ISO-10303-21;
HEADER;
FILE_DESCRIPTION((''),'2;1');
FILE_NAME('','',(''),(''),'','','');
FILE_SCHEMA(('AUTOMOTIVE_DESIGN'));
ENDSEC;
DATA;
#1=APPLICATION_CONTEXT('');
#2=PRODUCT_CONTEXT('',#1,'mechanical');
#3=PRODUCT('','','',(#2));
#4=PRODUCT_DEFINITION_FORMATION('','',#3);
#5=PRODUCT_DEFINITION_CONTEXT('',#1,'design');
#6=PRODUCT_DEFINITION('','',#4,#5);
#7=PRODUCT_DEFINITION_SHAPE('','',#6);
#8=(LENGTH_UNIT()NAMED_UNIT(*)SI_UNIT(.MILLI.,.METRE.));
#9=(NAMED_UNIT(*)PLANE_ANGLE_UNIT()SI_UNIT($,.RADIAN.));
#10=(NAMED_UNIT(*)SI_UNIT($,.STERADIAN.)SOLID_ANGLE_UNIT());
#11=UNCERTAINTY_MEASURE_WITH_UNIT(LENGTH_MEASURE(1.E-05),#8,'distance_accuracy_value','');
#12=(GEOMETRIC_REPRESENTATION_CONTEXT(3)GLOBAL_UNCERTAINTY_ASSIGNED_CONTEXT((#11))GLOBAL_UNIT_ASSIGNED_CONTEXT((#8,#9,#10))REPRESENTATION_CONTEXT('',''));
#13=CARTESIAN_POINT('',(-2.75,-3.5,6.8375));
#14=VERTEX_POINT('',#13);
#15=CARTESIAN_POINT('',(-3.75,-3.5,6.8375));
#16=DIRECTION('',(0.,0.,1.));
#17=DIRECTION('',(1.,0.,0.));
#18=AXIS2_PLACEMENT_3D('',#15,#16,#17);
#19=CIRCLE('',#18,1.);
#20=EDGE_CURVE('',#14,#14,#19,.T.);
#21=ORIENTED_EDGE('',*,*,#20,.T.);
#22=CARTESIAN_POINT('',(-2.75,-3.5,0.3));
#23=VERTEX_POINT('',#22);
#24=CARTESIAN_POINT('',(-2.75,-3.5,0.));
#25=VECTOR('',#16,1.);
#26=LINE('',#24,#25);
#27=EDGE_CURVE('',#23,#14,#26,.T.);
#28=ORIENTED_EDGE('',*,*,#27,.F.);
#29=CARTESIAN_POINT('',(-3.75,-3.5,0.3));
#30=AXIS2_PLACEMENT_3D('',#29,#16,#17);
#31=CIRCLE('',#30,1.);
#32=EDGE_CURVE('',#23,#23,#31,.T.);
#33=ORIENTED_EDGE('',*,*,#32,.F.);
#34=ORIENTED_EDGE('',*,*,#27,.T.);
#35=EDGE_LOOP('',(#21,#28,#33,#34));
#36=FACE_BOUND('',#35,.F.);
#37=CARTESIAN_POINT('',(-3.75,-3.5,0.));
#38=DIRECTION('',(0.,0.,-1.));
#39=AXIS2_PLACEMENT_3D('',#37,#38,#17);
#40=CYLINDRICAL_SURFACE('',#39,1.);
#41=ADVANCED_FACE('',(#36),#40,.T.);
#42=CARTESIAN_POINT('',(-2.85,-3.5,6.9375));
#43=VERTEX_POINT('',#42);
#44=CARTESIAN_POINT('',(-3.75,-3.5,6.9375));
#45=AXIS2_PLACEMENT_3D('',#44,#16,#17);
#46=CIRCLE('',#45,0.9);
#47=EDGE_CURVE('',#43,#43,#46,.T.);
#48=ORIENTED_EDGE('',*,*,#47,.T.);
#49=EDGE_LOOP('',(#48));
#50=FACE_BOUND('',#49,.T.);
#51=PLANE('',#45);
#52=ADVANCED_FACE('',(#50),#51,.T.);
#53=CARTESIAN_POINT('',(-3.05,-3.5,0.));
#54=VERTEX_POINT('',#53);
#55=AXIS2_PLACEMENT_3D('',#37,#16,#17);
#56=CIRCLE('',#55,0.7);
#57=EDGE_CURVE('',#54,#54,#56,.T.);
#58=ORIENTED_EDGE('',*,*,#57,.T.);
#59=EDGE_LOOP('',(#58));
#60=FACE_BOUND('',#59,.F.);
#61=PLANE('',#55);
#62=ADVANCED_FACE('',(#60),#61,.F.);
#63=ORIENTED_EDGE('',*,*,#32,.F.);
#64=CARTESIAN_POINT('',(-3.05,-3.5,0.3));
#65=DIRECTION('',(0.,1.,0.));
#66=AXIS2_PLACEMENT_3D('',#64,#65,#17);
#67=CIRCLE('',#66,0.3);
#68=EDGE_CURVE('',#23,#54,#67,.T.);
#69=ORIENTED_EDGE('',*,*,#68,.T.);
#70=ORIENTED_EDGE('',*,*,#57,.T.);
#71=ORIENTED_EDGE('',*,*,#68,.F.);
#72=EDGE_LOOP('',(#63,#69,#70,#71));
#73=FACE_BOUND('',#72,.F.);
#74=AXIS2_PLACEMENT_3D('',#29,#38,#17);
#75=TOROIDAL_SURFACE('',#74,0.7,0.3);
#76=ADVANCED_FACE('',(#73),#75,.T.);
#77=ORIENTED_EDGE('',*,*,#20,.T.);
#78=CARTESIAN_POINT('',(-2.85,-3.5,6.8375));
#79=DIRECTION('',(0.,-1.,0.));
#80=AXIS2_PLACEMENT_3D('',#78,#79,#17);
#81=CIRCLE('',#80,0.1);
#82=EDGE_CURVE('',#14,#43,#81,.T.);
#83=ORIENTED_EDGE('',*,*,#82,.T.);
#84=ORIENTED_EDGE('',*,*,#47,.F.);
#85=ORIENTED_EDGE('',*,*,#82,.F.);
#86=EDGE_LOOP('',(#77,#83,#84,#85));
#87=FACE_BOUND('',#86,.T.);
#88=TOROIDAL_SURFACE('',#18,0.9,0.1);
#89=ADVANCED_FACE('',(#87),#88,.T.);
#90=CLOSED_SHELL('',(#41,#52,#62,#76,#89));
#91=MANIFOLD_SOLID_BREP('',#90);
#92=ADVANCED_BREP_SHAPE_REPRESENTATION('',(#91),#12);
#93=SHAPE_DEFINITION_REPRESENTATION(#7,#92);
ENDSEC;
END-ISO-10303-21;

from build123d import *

# Parameters (mm, degrees)
SKETCH008_R  = 1
PAD004_DEPTH = 6.9375
FILLET_R     = 0.1
FILLET001_R  = 0.3


with BuildPart() as part:
    # Sketch008 → Pad004 (new body)
    with BuildSketch(Plane.XY):
        with Locations((-3.75, -3.5)):
            Circle(SKETCH008_R)
    extrude(amount=PAD004_DEPTH)

    # Fillet
    fillet_edges = [part.edges().sort_by_distance(p)[0] for p in [
        (-4.75, -3.5, 6.9375),
    ]]
    fillet(fillet_edges, radius=FILLET_R)

    # Fillet001
    fillet001_edges = [part.edges().sort_by_distance(p)[0] for p in [
        (-4.75, -3.5, 0),
    ]]
    fillet(fillet001_edges, radius=FILLET001_R)


solid = part.part
